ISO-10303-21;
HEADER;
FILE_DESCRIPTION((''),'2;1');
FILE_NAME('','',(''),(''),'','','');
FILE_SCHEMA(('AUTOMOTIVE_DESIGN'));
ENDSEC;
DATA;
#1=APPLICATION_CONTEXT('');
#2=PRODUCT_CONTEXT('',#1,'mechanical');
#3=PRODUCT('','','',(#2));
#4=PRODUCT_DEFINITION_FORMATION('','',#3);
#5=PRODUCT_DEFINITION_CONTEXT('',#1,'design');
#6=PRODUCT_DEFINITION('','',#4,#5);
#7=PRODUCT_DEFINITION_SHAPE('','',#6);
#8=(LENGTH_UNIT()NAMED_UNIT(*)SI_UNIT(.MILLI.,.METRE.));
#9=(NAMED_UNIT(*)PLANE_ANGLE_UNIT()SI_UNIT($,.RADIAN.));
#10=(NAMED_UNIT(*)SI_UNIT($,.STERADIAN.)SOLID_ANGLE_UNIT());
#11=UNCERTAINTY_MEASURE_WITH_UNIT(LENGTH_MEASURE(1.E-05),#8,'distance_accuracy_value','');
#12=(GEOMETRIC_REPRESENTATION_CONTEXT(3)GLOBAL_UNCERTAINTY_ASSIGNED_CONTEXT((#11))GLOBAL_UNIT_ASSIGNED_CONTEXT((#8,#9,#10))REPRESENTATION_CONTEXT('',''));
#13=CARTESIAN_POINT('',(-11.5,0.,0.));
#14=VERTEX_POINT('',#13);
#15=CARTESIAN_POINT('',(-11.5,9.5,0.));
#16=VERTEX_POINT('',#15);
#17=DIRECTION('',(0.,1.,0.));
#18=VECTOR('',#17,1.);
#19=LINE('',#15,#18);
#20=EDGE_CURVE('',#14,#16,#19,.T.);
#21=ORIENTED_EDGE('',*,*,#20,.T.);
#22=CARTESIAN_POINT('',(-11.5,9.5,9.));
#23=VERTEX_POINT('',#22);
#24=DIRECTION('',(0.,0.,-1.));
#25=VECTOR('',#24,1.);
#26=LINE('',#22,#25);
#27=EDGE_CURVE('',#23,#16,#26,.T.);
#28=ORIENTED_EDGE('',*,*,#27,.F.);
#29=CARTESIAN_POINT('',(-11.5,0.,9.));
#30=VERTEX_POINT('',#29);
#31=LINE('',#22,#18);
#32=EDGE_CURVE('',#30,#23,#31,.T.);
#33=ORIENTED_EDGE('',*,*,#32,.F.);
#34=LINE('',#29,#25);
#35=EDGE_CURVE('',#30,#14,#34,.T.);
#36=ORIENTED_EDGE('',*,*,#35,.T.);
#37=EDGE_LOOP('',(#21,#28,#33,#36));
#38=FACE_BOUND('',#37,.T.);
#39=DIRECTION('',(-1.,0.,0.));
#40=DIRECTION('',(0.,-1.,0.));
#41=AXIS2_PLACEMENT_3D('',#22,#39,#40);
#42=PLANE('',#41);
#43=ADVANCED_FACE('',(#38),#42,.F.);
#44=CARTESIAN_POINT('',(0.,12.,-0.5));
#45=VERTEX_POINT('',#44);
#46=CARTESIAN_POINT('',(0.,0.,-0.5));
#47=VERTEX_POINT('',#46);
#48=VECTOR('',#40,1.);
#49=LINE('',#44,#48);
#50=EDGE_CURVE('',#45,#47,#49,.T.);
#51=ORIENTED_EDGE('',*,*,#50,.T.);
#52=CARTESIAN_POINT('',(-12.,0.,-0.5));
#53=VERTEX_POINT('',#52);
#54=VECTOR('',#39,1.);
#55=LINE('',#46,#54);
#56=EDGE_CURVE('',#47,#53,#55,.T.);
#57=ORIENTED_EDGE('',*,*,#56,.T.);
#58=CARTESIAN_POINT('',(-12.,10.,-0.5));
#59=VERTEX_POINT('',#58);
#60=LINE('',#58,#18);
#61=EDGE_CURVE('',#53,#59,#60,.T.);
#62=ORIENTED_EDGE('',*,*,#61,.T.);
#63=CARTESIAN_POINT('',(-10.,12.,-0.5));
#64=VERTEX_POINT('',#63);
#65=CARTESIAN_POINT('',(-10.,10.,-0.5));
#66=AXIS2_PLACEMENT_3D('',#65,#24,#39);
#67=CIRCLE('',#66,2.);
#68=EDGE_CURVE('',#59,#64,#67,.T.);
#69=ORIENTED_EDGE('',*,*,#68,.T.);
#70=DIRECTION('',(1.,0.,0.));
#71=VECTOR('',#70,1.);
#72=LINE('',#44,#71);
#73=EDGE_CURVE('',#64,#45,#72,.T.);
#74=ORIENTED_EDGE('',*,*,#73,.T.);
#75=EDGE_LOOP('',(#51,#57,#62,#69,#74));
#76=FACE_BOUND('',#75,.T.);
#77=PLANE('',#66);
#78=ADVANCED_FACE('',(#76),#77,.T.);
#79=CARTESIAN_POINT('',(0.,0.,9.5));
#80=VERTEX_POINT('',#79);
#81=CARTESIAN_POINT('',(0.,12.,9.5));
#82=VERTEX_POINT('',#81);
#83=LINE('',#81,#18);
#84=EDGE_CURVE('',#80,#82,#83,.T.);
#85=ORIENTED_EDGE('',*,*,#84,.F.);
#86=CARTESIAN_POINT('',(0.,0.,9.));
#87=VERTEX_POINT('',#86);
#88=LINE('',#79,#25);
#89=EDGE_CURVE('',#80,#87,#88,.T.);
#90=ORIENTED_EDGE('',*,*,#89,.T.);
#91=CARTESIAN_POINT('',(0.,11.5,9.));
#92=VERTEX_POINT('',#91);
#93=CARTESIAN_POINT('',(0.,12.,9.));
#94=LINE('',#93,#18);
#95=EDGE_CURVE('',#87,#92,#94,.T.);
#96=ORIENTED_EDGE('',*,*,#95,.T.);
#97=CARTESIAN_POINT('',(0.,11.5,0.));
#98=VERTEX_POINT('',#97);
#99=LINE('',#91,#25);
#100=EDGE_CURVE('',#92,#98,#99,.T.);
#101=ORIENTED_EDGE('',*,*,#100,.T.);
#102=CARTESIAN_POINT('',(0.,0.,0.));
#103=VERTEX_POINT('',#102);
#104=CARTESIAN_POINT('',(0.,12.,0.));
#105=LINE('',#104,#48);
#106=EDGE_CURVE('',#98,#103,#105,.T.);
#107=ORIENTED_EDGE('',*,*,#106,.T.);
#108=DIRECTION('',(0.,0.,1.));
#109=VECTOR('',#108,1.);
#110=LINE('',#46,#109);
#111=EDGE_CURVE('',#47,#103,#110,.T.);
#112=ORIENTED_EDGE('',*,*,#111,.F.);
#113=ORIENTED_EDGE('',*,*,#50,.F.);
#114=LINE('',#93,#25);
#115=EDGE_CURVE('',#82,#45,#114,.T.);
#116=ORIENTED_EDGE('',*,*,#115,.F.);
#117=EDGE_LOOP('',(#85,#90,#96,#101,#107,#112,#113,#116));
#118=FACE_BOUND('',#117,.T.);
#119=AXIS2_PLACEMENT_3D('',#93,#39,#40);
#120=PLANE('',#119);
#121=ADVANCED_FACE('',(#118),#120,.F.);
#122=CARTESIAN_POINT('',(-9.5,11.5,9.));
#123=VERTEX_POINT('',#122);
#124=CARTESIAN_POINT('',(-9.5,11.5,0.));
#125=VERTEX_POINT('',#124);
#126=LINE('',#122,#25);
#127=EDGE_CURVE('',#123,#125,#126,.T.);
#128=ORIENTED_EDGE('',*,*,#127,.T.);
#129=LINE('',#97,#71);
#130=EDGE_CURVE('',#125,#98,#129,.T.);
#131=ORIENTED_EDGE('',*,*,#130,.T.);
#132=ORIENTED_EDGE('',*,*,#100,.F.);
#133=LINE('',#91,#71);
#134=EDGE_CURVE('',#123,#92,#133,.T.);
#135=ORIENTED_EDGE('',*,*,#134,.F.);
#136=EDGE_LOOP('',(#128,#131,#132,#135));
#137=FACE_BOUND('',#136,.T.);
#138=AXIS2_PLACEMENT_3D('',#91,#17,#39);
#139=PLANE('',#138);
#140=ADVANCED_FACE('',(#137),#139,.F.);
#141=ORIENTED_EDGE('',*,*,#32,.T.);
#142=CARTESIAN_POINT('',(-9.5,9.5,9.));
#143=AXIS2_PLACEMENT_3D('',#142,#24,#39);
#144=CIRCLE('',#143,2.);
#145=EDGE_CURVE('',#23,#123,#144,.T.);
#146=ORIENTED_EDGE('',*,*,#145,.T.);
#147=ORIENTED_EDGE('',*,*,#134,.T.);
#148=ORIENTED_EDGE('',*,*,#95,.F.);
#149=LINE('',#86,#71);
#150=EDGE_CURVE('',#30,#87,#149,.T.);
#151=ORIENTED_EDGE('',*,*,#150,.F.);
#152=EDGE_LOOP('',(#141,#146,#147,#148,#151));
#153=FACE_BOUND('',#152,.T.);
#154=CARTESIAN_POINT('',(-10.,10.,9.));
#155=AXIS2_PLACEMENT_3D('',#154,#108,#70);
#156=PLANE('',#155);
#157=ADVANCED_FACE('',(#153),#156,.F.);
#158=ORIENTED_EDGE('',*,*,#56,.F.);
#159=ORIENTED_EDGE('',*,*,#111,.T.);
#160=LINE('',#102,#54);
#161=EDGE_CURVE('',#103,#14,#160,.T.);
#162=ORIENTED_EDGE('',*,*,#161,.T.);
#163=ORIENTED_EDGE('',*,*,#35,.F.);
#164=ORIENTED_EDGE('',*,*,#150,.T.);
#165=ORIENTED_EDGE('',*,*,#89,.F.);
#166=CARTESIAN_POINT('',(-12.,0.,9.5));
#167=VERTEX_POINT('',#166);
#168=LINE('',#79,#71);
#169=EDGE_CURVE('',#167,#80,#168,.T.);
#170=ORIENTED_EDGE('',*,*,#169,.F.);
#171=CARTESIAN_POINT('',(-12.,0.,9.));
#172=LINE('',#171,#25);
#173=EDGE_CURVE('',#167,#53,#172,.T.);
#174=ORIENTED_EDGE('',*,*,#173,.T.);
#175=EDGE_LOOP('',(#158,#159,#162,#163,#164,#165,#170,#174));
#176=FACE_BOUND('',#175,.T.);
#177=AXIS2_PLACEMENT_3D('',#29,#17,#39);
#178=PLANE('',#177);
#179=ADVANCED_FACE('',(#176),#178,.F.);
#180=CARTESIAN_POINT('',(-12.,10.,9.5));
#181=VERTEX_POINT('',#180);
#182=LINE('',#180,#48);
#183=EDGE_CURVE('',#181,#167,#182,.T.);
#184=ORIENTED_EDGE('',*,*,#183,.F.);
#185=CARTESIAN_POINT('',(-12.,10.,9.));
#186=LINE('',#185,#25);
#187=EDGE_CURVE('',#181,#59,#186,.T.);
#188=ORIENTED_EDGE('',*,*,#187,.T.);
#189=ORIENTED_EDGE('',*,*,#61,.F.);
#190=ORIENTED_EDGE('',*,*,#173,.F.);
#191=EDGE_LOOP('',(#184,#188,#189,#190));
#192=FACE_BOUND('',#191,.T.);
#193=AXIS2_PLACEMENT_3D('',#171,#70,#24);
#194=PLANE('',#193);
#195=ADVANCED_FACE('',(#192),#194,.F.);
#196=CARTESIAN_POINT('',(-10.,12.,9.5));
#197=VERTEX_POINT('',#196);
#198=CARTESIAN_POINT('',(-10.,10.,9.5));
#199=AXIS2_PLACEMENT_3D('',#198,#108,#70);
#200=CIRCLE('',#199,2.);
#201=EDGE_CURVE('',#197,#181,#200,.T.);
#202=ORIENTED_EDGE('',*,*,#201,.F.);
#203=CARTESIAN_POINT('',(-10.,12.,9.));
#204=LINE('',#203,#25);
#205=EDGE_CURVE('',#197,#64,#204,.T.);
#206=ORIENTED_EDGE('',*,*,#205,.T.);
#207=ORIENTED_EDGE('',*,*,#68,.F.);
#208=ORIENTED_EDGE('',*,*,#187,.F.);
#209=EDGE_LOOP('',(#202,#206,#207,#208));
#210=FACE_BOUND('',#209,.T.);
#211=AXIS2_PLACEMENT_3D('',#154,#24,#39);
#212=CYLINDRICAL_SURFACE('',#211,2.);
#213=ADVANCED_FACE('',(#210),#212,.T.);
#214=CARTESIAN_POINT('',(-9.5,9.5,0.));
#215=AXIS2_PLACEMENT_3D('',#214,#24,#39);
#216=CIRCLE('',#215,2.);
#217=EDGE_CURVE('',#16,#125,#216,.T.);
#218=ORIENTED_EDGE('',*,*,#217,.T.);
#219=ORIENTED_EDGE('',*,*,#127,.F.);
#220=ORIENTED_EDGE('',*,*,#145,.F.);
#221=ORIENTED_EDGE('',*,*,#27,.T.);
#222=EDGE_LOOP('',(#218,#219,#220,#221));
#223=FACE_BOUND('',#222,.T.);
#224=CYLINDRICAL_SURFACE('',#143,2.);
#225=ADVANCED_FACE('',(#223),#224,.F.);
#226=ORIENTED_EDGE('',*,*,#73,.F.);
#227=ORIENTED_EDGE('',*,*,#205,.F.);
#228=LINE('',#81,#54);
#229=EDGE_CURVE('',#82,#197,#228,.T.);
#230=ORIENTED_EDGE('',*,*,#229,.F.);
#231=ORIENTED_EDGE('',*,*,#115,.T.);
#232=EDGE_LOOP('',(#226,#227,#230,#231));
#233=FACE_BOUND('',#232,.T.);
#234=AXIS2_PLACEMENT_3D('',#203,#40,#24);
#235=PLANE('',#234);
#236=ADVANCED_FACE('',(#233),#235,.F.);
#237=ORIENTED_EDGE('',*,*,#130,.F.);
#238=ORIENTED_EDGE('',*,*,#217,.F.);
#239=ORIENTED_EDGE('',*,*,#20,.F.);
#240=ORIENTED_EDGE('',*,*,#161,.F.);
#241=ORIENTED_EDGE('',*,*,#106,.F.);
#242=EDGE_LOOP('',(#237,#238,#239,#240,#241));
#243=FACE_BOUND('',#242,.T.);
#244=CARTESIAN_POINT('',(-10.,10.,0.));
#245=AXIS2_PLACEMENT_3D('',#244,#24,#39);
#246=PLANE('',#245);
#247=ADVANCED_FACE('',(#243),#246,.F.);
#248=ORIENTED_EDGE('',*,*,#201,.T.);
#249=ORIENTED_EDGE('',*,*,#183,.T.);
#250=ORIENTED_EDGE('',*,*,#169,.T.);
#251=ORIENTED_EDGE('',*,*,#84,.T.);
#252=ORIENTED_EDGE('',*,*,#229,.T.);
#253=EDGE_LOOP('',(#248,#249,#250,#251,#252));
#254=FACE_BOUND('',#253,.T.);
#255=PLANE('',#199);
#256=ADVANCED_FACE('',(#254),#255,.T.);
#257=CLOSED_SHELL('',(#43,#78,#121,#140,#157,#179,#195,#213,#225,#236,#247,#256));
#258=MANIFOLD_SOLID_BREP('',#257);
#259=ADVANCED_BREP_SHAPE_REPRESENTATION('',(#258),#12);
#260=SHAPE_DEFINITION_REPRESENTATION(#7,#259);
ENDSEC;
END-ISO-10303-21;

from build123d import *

# Parameters (mm, degrees)
BOSS_EXTRU_1_DEPTH = 9
BOSS_EXTRU_2_DEPTH = 0.5
BOSS_EXTRU_3_DEPTH = 0.5


with BuildPart() as part:
    # Esquisse1 → Boss.-Extru.1 (new body)
    with BuildSketch(Plane.XY):
        with BuildLine():
            Line((-12, 0), (-12, 10))
            ThreePointArc((-12, 10), (-11.414213562, 11.414213562), (-10, 12))
            Line((-10, 12), (0, 12))
            Line((0, 12), (0, 11.5))
            Line((0, 11.5), (-9.5, 11.5))
            ThreePointArc((-9.5, 11.5), (-10.914213562, 10.914213562), (-11.5, 9.5))
            Line((-11.5, 9.5), (-11.5, 0))
            Line((-11.5, 0), (-12, 0))
        make_face()
    extrude(amount=BOSS_EXTRU_1_DEPTH)

    # Esquisse2 → Boss.-Extru.2 (add)
    with BuildSketch(Plane.XY.offset(9)):
        with BuildLine():
            Line((0, 12), (0, 0))
            Line((0, 0), (-12, 0))
            Line((-12, 0), (-12, 10))
            ThreePointArc((-12, 10), (-11.414213562, 11.414213562), (-10, 12))
            Line((-10, 12), (0, 12))
        make_face()
    extrude(amount=BOSS_EXTRU_2_DEPTH)

    # Esquisse3 → Boss.-Extru.3 (add)
    with BuildSketch(Plane(origin=(0, 0, 0), x_dir=(-1, 0, 0), z_dir=(0, 0, -1))):
        with BuildLine():
            Line((0, 12), (10, 12))
            ThreePointArc((10, 12), (11.414213562, 11.414213562), (12, 10))
            Line((12, 10), (12, 0))
            Line((12, 0), (0, 0))
            Line((0, 0), (0, 12))
        make_face()
    extrude(amount=BOSS_EXTRU_3_DEPTH)


solid = part.part
